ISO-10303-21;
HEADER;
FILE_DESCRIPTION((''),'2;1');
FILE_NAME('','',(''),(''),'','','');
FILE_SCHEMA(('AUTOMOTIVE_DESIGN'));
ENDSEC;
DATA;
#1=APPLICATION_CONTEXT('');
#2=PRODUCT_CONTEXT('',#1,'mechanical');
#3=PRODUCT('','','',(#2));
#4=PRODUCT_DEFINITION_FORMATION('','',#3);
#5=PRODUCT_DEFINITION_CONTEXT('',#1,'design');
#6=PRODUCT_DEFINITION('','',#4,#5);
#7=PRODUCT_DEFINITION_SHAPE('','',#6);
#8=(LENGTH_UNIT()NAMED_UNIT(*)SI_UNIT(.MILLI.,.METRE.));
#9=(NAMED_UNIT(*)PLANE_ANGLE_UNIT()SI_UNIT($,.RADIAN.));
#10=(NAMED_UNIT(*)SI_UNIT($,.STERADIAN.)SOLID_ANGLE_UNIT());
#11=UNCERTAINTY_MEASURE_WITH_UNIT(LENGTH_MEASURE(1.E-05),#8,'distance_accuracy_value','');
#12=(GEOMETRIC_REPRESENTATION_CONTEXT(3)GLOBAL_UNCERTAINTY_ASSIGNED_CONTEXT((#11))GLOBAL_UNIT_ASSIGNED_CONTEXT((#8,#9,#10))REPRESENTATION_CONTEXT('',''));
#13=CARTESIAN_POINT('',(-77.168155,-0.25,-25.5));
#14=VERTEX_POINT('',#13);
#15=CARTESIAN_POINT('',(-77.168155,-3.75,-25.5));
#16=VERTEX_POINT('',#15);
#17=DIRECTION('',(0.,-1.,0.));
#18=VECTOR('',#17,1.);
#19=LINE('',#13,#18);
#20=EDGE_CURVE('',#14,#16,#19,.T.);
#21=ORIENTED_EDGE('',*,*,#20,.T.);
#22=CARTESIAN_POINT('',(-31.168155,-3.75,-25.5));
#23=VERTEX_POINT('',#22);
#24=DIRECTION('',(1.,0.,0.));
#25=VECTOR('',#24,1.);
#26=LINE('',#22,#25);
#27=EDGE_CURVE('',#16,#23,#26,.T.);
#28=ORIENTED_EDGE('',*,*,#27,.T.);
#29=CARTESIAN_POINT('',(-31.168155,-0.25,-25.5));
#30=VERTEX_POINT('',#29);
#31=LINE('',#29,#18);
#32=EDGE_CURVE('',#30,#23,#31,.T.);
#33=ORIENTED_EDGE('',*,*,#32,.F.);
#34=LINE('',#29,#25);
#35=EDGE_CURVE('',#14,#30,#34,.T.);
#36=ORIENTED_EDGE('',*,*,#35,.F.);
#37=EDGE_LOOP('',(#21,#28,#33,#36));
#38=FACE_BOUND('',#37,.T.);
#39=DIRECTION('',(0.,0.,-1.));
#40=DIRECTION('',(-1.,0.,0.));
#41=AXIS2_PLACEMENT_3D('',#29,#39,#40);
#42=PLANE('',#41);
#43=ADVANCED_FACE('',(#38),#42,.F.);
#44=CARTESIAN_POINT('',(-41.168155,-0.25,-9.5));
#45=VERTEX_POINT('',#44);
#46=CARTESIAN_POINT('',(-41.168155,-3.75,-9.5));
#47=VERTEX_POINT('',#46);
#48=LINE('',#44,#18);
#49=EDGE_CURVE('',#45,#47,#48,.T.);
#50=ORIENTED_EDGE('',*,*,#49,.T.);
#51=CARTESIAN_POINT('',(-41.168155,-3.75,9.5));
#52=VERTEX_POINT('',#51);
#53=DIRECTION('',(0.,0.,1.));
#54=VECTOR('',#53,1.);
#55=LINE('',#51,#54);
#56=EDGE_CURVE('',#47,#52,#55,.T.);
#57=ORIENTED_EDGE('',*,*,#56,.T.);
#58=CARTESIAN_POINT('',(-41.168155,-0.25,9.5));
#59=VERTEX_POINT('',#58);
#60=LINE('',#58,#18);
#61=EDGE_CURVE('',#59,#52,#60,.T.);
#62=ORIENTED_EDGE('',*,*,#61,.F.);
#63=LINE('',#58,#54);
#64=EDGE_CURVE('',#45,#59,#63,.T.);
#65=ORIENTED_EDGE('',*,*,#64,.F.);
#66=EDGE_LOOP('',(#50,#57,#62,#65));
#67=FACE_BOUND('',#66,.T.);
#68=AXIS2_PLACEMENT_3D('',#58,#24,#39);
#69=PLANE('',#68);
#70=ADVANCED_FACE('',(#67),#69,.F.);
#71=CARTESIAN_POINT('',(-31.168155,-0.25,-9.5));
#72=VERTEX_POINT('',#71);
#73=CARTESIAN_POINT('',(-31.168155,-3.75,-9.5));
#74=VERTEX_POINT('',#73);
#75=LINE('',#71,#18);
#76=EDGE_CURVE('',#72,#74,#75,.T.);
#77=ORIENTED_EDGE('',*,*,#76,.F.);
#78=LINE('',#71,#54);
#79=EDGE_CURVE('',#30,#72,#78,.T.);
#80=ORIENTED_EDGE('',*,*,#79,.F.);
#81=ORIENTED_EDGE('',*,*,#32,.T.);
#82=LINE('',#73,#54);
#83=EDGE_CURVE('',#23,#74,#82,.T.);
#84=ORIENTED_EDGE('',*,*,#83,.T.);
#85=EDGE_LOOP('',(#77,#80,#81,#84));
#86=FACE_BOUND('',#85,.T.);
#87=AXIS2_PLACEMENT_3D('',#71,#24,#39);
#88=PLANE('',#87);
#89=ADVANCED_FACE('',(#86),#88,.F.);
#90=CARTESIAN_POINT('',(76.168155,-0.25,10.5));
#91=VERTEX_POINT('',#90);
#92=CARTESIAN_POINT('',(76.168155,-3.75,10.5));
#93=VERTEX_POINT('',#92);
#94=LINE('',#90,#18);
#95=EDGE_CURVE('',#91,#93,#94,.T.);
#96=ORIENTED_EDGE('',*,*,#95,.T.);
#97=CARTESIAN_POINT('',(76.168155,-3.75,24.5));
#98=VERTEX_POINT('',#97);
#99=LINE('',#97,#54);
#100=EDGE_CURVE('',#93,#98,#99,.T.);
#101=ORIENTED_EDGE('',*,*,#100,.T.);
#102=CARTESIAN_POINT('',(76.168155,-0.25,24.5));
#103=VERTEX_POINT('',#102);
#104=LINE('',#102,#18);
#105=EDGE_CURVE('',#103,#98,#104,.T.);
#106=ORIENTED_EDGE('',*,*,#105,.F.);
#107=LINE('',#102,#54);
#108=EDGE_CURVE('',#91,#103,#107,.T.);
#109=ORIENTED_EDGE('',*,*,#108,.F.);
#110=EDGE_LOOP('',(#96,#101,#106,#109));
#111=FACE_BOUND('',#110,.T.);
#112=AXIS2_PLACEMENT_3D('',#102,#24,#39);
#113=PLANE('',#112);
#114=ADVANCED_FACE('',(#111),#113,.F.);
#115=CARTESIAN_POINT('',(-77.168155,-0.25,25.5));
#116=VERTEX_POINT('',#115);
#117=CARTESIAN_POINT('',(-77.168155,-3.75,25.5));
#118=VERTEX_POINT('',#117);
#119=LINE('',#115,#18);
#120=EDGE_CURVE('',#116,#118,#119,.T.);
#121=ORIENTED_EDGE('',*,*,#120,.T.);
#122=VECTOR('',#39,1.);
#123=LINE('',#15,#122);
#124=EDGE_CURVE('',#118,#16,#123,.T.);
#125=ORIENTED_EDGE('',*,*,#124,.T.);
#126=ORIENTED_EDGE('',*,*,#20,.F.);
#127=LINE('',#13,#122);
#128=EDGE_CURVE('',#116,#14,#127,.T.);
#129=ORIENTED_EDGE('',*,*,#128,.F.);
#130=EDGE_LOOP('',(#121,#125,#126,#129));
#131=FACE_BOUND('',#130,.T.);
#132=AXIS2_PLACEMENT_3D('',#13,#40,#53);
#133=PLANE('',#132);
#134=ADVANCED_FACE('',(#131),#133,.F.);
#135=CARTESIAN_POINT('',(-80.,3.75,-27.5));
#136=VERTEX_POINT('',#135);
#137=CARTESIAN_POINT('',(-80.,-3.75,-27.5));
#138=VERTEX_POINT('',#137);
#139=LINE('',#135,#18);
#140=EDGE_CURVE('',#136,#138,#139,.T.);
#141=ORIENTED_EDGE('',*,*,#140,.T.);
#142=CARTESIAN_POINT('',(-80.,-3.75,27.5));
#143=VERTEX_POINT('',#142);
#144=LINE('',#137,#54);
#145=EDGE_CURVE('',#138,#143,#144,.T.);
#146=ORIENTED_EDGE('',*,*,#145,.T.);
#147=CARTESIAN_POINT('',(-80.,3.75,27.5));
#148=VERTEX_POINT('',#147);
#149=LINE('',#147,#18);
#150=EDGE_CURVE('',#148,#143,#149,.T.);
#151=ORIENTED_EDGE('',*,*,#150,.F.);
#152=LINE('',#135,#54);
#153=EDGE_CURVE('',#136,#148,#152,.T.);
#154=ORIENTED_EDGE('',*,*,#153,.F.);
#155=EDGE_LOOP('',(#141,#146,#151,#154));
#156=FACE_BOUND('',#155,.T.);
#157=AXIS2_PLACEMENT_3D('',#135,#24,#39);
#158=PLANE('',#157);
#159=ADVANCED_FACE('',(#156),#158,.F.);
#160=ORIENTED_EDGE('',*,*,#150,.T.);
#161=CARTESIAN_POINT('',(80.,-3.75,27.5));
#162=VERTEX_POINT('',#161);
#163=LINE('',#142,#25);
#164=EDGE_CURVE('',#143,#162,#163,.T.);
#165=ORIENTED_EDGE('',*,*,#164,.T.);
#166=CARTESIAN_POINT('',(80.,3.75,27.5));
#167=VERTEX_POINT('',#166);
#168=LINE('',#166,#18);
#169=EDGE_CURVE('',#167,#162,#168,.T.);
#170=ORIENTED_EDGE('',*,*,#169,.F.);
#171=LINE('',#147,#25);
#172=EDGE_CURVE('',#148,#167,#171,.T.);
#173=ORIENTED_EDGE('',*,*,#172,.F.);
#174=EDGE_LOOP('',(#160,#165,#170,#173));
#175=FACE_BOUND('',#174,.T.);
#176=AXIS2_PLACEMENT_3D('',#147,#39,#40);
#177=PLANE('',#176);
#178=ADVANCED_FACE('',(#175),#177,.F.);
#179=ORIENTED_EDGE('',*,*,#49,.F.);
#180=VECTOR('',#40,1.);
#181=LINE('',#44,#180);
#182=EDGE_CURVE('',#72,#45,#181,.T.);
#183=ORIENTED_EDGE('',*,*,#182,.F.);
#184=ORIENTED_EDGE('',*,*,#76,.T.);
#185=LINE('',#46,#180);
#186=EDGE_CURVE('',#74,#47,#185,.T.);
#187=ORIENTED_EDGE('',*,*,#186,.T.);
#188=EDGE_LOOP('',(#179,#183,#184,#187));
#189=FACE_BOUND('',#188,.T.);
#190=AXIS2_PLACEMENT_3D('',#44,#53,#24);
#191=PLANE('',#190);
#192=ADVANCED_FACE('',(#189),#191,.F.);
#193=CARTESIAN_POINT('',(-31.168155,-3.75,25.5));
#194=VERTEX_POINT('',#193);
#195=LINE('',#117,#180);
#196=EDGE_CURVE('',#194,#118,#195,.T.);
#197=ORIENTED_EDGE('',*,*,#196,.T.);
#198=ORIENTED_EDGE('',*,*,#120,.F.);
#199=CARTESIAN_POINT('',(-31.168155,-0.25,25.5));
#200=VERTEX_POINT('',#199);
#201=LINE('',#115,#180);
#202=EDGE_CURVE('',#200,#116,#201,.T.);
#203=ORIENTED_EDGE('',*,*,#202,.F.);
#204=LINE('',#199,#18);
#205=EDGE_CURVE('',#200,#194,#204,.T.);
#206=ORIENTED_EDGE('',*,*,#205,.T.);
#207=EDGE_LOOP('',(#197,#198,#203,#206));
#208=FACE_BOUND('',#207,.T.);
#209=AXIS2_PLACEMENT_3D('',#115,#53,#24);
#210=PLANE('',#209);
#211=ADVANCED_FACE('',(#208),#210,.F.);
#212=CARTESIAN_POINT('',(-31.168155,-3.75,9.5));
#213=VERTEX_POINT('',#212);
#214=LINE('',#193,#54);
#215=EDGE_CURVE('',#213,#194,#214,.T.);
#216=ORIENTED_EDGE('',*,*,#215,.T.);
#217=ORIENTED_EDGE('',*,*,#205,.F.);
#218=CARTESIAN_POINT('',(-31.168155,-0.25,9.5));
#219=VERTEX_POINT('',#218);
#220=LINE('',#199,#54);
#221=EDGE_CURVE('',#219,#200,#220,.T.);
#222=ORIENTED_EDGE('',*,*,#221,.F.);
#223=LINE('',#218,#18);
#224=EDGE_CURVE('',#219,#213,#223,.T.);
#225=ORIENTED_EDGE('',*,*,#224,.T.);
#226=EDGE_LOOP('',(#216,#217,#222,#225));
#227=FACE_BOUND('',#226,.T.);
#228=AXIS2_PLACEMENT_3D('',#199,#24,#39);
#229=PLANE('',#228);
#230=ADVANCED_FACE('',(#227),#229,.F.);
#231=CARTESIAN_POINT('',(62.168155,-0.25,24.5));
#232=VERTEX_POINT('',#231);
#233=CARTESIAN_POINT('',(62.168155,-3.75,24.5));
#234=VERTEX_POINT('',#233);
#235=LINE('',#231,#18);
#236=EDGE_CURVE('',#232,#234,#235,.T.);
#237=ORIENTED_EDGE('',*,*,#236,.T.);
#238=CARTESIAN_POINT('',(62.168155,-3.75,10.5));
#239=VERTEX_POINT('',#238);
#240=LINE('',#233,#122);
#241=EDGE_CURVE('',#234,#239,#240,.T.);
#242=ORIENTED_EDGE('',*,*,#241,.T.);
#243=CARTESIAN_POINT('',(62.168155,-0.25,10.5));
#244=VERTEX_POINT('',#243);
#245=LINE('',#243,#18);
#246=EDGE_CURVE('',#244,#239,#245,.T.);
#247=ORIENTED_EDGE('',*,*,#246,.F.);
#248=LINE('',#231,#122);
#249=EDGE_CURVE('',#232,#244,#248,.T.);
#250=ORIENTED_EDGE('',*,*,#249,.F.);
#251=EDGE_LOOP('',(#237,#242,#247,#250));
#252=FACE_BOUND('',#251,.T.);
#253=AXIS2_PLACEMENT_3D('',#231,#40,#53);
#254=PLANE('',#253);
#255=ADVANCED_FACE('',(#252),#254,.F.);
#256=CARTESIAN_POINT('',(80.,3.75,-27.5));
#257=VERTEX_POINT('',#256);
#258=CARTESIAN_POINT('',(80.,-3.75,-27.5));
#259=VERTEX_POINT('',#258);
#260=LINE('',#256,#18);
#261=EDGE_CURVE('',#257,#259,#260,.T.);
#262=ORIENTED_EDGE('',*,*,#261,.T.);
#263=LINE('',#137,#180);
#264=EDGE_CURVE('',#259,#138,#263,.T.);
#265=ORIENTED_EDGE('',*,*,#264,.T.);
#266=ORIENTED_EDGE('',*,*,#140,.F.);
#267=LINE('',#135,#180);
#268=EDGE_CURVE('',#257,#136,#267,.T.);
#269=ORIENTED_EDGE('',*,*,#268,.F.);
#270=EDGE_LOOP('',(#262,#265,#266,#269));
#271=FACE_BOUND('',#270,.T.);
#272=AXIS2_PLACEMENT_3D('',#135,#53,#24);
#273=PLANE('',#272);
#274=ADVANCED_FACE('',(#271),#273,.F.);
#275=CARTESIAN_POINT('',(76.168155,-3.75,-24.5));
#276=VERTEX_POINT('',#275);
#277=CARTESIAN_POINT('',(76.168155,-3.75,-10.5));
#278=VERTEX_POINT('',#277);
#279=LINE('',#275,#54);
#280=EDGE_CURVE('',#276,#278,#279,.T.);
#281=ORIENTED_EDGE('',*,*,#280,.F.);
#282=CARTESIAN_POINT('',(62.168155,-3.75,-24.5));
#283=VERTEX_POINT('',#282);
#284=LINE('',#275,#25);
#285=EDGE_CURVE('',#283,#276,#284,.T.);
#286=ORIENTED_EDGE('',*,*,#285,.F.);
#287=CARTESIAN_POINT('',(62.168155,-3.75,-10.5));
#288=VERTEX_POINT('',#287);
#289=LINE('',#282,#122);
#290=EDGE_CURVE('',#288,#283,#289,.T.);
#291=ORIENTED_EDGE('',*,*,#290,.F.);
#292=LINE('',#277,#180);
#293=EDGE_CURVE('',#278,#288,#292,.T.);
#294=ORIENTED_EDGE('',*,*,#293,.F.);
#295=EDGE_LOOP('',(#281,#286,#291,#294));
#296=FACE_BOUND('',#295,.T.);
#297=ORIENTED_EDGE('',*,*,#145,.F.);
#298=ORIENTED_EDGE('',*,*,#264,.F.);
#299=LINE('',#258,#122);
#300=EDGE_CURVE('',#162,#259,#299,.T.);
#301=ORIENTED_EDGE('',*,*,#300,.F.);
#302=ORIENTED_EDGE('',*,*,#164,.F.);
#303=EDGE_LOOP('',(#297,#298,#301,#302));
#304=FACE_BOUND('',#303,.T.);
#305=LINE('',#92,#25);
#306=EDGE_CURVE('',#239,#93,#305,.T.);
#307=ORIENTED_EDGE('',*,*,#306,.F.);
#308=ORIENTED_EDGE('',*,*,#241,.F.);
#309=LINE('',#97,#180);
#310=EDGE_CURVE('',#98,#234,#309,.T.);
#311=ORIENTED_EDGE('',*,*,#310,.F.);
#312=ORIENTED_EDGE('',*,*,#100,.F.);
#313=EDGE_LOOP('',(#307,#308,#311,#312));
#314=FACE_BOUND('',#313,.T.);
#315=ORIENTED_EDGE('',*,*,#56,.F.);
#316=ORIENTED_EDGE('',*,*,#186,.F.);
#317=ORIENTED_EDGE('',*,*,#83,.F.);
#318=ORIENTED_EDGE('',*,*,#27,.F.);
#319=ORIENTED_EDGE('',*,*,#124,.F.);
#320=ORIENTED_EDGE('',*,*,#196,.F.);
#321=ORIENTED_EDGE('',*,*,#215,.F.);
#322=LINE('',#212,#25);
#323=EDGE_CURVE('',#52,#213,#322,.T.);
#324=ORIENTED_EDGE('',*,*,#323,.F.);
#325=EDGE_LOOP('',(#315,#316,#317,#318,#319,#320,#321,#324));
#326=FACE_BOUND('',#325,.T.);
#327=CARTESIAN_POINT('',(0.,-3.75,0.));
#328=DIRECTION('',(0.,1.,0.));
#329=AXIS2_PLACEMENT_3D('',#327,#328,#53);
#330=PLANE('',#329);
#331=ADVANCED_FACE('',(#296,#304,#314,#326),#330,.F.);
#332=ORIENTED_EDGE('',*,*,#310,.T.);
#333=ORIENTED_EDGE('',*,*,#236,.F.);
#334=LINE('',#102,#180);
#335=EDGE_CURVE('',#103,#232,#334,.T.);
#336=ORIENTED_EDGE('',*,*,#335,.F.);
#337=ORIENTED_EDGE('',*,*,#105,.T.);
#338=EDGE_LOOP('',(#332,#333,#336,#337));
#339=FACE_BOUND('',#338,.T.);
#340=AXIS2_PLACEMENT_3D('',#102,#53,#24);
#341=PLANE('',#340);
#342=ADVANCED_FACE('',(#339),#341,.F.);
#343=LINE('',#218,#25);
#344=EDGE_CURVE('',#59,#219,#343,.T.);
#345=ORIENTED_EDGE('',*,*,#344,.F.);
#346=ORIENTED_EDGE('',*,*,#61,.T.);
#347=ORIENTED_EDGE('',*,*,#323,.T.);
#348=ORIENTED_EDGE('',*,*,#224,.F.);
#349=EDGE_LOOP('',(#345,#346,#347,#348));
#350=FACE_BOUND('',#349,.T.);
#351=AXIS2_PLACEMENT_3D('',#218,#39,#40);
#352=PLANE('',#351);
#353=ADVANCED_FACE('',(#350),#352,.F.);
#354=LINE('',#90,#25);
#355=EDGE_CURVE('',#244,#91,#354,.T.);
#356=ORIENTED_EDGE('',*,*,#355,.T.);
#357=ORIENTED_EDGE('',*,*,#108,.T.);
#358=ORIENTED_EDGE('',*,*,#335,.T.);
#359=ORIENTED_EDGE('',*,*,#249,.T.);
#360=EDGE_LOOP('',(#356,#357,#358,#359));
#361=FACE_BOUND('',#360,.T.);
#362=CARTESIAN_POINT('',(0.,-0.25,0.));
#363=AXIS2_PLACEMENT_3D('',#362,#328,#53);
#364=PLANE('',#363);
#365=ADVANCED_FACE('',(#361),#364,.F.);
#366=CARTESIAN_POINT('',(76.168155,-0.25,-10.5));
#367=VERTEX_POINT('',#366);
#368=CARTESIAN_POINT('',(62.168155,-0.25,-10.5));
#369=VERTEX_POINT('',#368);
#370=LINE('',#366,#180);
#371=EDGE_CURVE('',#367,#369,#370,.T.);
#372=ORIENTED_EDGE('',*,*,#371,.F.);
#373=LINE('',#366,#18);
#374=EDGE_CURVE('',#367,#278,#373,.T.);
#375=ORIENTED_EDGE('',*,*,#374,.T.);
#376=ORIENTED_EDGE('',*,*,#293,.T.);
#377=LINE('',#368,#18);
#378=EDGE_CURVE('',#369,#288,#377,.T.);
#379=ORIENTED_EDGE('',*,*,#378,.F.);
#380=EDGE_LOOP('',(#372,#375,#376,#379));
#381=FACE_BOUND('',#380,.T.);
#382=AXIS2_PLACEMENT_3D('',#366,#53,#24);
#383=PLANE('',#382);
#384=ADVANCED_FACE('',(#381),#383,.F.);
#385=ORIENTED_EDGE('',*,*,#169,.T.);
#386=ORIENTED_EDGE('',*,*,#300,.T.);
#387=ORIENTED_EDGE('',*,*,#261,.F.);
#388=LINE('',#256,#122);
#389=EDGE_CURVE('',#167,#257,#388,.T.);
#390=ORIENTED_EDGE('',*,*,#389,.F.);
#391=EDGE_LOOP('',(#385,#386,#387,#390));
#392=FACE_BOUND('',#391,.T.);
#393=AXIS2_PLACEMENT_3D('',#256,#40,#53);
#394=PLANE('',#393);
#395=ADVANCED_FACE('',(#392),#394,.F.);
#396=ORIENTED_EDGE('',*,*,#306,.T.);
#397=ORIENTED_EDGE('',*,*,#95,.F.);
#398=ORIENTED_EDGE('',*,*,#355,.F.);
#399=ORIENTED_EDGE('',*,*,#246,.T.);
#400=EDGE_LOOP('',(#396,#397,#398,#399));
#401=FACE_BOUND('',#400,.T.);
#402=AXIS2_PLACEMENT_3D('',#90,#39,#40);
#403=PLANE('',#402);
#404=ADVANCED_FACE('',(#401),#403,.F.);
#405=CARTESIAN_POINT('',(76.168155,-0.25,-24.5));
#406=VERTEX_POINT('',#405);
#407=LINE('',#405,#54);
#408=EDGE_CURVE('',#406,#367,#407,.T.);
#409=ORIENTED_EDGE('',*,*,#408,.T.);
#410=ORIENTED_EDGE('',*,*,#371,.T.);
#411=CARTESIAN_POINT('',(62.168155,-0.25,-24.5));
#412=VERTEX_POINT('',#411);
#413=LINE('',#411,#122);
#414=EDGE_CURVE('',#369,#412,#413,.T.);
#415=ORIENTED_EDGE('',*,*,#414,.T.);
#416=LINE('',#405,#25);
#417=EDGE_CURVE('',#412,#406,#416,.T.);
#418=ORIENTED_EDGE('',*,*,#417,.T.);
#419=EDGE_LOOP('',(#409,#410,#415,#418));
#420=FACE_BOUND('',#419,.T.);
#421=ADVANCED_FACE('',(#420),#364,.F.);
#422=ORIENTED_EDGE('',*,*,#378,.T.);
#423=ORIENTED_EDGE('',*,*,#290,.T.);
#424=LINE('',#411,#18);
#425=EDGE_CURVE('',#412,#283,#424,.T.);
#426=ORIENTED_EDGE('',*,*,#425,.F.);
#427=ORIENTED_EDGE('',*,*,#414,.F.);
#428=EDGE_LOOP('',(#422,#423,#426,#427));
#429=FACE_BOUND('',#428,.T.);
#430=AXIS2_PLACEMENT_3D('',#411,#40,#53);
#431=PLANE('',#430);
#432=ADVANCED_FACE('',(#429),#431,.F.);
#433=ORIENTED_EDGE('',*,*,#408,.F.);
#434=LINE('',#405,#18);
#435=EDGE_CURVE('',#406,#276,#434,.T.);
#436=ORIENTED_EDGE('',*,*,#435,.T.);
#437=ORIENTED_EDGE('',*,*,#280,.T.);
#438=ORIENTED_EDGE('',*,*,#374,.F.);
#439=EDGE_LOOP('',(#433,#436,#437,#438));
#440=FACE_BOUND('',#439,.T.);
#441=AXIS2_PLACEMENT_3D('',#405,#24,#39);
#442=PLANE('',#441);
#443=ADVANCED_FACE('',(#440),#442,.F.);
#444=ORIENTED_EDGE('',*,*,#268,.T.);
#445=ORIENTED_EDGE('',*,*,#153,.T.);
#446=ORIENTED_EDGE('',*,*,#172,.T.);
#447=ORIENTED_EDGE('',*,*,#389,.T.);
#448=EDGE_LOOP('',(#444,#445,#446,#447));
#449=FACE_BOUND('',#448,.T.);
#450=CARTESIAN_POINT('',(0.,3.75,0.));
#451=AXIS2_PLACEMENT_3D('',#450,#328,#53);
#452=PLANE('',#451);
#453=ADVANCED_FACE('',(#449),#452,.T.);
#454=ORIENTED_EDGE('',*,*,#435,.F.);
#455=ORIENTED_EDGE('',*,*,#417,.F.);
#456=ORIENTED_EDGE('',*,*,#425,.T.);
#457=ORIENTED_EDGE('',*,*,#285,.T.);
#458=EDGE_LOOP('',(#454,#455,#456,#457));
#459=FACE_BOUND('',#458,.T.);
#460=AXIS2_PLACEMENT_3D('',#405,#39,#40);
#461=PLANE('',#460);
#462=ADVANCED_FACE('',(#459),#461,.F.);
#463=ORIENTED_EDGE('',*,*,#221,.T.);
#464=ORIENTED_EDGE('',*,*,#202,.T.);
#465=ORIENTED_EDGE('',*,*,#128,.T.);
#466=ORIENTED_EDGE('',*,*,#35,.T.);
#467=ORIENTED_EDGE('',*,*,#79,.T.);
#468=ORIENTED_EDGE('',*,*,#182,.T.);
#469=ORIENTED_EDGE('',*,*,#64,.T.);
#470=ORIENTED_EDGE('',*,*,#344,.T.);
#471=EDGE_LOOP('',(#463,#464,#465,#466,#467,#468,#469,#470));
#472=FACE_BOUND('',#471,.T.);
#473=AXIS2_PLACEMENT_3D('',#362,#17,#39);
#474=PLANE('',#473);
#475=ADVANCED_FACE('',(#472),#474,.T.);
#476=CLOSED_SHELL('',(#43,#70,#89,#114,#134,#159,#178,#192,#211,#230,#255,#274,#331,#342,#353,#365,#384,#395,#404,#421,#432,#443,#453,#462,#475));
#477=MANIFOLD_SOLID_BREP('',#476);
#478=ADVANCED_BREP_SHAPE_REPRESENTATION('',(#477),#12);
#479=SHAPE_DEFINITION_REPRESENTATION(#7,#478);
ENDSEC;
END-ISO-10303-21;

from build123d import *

# Parameters (mm, degrees)
SKETCH1_W           = 160
SKETCH1_H           = 55
BOSS_EXTRUDE1_DEPTH = 3.75
SKETCH2_W           = 14
SKETCH2_H           = 14
CUT_EXTRUDE1_DEPTH  = 3.5


with BuildPart() as part:
    # Sketch1 → Boss-Extrude1 (new, symmetric)
    with BuildSketch(Plane(origin=(0, 0, 0), x_dir=(1, 0, 0), z_dir=(0, 1, 0))):
        Rectangle(SKETCH1_W, SKETCH1_H)
    extrude(amount=BOSS_EXTRUDE1_DEPTH, both=True)

    # Sketch2 → Cut-Extrude1 (cut)
    with BuildSketch(Plane.XZ.offset(3.75)):
        with Locations((69.168154724, 17.5)):
            Rectangle(SKETCH2_W, SKETCH2_H)
        with Locations((69.168154724, -17.5)):
            Rectangle(SKETCH2_W, SKETCH2_H)
        Polygon((-41.168154724, -9.5), (-31.168154724, -9.5), (-31.168154724, -25.5), (-77.168154724, -25.5), (-77.168154724, 25.5), (-31.168154724, 25.5), (-31.168154724, 9.5), (-41.168154724, 9.5), align=None)
    extrude(amount=-CUT_EXTRUDE1_DEPTH, mode=Mode.SUBTRACT)


solid = part.part
